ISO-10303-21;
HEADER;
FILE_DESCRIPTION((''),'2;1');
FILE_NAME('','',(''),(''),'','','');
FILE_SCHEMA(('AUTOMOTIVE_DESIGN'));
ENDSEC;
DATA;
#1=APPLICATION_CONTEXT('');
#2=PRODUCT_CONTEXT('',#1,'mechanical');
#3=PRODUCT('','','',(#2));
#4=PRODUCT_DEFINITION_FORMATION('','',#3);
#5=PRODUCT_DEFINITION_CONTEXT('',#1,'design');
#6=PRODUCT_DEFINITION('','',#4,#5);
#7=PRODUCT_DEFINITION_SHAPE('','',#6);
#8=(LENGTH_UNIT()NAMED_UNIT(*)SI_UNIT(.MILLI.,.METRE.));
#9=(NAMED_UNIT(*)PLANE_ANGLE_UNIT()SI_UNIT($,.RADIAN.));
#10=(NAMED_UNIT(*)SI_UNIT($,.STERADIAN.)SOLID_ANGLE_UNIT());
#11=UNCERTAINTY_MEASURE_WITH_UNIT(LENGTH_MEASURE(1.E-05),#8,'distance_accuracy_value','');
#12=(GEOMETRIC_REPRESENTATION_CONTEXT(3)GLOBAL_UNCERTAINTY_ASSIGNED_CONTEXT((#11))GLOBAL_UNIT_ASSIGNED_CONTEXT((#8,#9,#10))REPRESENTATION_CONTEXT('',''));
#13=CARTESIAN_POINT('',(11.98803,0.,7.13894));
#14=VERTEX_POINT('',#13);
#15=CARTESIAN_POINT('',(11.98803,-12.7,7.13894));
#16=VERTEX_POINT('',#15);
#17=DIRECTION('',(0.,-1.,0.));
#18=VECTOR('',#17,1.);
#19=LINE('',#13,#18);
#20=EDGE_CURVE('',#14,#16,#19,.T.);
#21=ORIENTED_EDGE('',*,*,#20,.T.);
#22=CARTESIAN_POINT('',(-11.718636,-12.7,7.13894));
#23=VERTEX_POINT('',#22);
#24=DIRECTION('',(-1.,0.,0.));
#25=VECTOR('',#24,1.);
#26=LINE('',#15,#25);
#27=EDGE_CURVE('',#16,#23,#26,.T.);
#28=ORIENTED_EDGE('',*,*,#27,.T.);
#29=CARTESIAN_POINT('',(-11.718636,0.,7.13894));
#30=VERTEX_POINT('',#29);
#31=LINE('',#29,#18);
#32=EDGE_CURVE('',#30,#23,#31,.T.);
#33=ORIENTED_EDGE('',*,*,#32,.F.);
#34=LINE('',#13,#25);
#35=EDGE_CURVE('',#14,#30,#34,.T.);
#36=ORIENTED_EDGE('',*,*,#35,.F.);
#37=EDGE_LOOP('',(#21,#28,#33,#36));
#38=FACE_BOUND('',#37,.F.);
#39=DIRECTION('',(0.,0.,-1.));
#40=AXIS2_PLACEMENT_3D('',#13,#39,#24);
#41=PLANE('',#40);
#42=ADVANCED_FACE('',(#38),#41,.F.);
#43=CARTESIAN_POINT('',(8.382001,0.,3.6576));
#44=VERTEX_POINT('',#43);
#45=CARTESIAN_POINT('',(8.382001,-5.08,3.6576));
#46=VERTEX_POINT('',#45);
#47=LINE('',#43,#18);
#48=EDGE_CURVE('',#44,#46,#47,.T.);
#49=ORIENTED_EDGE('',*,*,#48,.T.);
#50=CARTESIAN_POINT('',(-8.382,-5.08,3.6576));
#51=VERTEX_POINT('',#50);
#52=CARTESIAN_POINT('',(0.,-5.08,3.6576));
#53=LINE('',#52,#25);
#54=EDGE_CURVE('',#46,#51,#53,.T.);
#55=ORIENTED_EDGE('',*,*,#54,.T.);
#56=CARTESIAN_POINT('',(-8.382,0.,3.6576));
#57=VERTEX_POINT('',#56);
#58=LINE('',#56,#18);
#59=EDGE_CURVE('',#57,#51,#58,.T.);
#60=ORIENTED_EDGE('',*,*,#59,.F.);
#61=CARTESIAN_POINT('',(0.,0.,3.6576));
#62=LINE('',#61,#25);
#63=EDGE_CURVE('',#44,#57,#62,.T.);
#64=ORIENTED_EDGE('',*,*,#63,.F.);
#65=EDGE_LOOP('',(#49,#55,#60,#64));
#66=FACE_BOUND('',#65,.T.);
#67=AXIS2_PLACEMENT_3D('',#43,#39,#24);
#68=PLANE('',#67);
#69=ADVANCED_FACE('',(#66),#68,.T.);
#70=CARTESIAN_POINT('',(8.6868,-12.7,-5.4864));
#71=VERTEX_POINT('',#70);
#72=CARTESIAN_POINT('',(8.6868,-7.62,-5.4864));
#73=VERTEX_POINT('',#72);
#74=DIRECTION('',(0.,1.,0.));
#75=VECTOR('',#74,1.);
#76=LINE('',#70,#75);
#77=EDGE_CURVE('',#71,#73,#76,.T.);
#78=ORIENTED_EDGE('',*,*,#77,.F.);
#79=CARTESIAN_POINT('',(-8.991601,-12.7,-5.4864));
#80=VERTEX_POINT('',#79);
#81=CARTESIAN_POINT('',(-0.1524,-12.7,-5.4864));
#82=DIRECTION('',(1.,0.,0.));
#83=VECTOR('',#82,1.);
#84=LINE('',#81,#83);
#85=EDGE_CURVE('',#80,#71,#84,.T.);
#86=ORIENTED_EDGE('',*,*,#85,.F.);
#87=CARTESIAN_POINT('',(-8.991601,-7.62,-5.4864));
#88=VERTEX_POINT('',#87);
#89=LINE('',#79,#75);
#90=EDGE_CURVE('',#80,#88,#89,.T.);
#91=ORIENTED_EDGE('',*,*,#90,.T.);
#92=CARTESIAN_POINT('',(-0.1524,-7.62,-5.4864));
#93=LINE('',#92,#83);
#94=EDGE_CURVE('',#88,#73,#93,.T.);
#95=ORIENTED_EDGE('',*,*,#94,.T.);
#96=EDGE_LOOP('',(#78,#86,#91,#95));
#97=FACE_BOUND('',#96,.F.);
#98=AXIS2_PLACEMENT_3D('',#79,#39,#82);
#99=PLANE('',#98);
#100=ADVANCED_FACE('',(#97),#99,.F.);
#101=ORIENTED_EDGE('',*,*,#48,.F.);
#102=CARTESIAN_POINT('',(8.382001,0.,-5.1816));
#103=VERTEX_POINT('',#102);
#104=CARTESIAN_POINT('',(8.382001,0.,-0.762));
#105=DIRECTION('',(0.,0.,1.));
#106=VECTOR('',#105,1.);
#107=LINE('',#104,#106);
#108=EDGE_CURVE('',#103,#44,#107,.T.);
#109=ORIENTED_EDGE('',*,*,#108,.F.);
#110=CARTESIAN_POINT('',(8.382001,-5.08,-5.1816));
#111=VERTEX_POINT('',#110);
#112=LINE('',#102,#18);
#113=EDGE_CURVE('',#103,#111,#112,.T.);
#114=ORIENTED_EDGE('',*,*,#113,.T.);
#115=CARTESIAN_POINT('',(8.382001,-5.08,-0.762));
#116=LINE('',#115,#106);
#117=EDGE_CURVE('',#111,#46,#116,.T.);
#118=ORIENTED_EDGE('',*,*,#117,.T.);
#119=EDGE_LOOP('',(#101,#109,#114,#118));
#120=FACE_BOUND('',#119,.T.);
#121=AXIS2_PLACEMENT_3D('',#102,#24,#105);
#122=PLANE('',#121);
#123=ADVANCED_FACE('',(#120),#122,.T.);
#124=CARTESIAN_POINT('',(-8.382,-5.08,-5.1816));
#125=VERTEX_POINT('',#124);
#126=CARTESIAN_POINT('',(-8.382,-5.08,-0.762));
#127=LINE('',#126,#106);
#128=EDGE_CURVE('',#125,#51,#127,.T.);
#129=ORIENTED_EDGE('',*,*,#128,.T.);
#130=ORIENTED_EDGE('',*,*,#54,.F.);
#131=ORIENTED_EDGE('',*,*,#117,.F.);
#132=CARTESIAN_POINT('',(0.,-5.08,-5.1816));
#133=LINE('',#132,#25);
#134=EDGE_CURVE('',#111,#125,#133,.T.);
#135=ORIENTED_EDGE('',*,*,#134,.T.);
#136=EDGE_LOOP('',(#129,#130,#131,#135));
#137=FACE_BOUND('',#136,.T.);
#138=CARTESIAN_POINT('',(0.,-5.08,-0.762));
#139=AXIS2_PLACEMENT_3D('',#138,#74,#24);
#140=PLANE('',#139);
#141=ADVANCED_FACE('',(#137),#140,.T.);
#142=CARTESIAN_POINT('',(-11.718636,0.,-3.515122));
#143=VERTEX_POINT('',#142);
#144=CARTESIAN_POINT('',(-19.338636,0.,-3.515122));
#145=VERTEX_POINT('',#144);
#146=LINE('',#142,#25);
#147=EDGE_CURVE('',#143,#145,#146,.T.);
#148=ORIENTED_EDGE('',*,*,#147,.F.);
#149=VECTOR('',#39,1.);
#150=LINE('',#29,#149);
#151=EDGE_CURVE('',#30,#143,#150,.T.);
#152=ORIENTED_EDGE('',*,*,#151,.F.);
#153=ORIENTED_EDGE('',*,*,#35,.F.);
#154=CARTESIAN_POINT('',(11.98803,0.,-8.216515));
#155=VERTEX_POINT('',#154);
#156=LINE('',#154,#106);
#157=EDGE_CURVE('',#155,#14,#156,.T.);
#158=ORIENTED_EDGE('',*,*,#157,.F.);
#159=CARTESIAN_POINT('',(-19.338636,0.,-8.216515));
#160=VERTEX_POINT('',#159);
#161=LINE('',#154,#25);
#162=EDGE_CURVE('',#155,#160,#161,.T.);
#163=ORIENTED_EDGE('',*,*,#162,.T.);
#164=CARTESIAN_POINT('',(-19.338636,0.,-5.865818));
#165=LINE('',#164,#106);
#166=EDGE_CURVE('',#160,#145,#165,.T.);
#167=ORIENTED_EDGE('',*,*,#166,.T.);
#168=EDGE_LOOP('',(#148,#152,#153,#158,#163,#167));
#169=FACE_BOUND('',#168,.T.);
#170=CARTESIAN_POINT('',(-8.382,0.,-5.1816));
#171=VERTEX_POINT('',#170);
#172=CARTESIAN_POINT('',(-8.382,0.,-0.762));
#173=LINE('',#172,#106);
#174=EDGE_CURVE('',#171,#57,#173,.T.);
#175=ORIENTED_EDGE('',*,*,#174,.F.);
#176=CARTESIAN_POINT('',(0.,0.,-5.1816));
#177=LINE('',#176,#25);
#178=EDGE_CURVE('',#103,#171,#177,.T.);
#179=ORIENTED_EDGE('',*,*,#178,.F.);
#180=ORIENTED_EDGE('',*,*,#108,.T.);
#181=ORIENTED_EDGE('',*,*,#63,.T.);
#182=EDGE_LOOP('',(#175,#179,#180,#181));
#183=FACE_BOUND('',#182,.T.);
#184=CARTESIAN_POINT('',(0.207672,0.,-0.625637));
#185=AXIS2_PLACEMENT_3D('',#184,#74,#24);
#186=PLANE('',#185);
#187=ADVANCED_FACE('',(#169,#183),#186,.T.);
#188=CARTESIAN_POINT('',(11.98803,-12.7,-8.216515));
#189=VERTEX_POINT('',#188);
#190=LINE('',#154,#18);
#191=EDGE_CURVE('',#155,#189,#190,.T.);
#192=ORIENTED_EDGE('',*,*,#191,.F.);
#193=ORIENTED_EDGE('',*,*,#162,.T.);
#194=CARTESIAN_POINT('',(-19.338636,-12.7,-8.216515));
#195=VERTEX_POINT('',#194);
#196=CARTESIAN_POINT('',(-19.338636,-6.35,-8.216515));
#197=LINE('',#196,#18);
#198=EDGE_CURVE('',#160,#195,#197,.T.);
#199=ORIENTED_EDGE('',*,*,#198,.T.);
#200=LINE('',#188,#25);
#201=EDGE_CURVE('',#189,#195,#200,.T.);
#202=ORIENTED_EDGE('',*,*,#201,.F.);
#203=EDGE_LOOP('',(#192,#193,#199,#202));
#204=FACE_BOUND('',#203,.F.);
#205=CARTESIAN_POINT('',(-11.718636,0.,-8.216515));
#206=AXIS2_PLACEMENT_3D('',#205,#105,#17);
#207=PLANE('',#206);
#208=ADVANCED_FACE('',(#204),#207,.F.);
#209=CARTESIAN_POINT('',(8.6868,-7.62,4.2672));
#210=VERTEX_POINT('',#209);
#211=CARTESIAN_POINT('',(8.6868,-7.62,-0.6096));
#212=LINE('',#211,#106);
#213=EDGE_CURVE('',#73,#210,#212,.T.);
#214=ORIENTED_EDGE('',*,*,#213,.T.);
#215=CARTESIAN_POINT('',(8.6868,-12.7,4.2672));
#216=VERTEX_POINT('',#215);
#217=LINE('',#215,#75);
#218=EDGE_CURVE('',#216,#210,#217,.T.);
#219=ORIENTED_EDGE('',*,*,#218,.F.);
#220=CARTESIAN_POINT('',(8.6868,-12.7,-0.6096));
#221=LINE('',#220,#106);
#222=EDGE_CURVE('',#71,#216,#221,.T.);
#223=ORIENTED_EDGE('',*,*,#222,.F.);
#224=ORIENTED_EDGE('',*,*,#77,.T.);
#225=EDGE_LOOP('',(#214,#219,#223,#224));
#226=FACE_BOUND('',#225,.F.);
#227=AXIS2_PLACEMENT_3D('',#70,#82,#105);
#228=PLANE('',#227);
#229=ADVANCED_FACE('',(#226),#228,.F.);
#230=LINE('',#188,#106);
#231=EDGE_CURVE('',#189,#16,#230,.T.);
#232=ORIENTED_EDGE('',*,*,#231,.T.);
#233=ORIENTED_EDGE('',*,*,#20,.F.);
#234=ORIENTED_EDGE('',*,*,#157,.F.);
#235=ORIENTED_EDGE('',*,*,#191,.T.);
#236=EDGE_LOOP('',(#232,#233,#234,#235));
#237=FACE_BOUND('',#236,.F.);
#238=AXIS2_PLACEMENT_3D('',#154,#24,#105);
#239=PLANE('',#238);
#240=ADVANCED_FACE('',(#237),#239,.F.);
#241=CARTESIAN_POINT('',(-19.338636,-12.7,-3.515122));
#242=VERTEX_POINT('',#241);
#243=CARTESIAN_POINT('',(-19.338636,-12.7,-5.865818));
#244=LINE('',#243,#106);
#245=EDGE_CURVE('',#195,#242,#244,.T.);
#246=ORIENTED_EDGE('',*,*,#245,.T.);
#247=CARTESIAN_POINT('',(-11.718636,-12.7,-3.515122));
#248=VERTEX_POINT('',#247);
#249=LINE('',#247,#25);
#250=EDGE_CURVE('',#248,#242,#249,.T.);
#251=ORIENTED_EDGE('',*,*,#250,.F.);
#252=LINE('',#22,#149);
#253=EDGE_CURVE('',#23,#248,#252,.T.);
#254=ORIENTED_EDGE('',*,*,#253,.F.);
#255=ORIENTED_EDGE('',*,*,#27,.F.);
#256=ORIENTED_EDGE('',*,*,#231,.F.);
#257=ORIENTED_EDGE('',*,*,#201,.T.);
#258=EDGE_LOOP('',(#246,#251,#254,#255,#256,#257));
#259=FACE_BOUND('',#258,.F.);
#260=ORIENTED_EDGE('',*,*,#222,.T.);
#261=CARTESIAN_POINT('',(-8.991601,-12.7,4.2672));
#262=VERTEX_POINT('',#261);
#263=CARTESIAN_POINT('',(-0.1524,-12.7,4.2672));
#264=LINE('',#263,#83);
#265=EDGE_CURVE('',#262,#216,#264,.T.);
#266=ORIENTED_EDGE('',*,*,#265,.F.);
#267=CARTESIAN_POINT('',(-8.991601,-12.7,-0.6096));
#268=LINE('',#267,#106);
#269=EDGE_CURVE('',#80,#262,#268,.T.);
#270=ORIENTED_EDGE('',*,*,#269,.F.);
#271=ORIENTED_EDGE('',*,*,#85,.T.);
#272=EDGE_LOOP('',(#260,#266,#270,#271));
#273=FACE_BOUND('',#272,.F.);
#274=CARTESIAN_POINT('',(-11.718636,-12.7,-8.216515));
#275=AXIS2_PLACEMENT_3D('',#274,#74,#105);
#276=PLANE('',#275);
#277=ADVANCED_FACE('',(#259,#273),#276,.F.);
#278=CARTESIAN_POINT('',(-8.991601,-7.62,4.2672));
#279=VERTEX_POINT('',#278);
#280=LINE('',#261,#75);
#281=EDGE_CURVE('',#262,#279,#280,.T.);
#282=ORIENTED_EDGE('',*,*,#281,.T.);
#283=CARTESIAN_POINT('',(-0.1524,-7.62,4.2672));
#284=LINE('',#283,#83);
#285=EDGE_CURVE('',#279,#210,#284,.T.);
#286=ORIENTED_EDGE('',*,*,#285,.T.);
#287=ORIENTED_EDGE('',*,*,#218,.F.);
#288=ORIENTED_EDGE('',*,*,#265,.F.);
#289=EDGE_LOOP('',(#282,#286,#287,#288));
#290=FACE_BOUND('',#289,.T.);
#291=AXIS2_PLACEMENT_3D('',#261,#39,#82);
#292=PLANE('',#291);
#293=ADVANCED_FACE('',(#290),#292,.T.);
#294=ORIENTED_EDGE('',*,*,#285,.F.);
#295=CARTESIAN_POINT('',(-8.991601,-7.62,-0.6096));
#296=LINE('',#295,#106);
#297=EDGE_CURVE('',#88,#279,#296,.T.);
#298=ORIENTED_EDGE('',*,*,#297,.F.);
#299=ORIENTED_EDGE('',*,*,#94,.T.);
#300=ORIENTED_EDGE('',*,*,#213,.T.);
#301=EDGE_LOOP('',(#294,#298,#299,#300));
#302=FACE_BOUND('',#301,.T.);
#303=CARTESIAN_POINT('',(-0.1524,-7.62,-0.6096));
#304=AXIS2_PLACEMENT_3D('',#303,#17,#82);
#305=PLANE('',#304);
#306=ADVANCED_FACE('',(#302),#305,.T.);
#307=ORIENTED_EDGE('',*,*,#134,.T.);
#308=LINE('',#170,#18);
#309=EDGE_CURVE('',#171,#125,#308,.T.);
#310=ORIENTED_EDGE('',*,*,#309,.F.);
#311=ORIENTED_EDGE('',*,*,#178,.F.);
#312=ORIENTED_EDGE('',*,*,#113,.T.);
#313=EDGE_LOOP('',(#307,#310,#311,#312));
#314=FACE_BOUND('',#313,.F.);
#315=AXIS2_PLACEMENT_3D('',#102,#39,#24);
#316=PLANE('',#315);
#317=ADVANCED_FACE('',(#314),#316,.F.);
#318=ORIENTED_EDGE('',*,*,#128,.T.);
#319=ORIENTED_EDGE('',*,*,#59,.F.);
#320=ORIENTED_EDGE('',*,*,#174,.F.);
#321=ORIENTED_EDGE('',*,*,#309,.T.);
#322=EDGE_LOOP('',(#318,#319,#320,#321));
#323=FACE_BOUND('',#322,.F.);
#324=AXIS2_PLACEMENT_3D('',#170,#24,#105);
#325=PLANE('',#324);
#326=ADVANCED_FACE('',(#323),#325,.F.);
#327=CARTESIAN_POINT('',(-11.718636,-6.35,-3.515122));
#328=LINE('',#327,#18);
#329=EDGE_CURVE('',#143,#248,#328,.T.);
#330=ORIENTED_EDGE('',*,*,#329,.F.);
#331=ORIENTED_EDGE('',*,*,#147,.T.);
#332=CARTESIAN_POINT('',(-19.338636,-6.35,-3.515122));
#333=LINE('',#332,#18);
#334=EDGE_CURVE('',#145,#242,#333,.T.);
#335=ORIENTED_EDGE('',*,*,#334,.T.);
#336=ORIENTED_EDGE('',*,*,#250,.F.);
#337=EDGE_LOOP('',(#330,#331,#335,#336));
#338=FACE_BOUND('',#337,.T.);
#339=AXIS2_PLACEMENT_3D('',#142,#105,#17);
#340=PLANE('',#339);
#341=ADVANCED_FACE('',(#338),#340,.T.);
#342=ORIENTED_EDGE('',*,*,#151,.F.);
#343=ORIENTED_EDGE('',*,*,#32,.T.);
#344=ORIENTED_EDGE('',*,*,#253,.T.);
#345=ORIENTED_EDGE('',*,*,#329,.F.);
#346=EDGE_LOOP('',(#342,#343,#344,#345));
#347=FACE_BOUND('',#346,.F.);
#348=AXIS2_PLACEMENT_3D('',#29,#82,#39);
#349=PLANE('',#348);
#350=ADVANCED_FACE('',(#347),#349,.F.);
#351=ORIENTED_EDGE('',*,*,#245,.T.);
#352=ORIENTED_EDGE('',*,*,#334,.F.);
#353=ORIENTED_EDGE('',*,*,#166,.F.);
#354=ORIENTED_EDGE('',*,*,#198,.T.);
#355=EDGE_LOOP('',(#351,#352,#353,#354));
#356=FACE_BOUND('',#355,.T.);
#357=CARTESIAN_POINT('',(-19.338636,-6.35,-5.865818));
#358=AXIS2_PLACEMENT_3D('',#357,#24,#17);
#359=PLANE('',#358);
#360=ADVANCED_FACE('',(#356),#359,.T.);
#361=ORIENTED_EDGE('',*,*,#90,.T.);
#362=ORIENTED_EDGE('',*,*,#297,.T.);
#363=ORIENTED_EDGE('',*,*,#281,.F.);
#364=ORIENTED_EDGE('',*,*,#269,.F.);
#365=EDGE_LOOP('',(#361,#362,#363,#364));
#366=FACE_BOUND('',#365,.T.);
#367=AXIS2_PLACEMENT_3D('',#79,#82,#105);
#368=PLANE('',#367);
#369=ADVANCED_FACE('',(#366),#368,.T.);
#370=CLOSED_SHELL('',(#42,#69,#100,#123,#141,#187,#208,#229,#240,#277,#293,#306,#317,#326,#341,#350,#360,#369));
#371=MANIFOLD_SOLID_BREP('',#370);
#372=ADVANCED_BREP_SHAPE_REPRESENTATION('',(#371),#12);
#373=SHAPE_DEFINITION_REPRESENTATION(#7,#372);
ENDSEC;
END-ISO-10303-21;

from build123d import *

# Parameters (mm, degrees)
F1_DEPTH  = 12.7
F2_W      = 19.4173352793
F2_H      = 11.3267796114
F3_DEPTH  = 5.08
F4_W      = 12.7
F4_H      = 4.7013934236
F5_DEPTH  = 7.62
F6_DEPTH  = 5.08
F7_W      = 17.6784014329
F7_H      = 9.7536002286
F8_DEPTH  = 5.08
F9_W      = 16.7640009895
F9_H      = 8.8392002508
F10_DEPTH = 5.08


with BuildPart() as f1:
    # F0 (on Front) → F1 (new body)
    with BuildSketch(Plane.XZ):
        Polygon((11.9880298153, 7.1389395744), (-11.7186363786, 7.1389395744), (-11.7186363786, -8.2165151834), (11.9880298153, -8.2165151834), (11.9880298153, -2.5592423044), align=None)
    extrude(amount=F1_DEPTH)

    # F2 (on face) → F3 (cut)
    with BuildSketch(Plane(origin=(0, 0, 0), x_dir=(-1, 0, 0), z_dir=(0, 1, 0))):
        with Locations((-0.2076723613, -0.6256373599)):
            Rectangle(F2_W, F2_H)
    extrude(amount=-F3_DEPTH, mode=Mode.SUBTRACT)

    # F4 (on face) → F5 (join)
    with BuildSketch(Plane(origin=(-11.7186363786, 0, 0), x_dir=(0, -1, 0), z_dir=(-1, 0, 0))):
        with Locations((6.35, -5.8658184716)):
            Rectangle(F4_W, F4_H)
    extrude(amount=F5_DEPTH)

    # F6 (add): a face of the model
    f6_faces = [f1.faces().sort_by_distance(p)[0] for p in [
        (0.2076723613, -5.08, -0.6256373599),
    ]]
    extrude(f6_faces, amount=F6_DEPTH)

    # F7 (on face) → F8 (cut)
    with BuildSketch(Plane.XZ.offset(12.7)):
        with Locations((-0.1524002291, -0.6095997524)):
            Rectangle(F7_W, F7_H)
    extrude(amount=-F8_DEPTH, mode=Mode.SUBTRACT)

    # F9 (on face) → F10 (cut)
    with BuildSketch(Plane(origin=(0, 0, 0), x_dir=(-1, 0, 0), z_dir=(0, 1, 0))):
        with Locations((-4.657e-07, -0.7620002143)):
            Rectangle(F9_W, F9_H)
    extrude(amount=-F10_DEPTH, mode=Mode.SUBTRACT)


solid = f1.part
